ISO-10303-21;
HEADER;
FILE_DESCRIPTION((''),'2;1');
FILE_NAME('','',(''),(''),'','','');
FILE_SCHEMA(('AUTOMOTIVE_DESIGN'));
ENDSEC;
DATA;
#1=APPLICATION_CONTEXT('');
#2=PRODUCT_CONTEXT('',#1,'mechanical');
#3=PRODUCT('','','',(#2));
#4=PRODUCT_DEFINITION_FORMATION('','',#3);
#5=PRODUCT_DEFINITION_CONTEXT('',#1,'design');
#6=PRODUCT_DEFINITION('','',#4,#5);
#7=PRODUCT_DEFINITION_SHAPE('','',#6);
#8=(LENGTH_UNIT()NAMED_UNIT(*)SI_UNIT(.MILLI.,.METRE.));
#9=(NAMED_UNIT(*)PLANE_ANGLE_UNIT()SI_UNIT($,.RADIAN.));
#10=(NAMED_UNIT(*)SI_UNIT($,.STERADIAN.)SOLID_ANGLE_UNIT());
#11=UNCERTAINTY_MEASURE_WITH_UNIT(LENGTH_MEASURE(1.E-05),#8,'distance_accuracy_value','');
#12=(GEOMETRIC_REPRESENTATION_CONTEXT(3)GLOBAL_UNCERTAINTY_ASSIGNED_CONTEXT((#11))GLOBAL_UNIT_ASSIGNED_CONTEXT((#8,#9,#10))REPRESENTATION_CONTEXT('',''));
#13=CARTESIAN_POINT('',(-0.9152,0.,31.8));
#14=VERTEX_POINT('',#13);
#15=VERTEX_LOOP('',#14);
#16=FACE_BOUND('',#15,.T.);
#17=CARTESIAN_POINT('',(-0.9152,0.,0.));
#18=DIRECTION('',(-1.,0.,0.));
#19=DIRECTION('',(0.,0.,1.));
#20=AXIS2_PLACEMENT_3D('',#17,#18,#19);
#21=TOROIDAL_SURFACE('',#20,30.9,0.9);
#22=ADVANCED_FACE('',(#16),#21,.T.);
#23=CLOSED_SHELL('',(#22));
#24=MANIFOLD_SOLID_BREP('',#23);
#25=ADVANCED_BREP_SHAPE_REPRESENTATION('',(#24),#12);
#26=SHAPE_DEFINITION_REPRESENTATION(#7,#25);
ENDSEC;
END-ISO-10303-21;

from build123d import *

# Parameters (mm, degrees)
SKETCH3_R = 0.899999978


with BuildPart() as part:
    # Sketch3 → Revolve1 (revolve)
    with BuildSketch(Plane.XY):
        with Locations((-0.915199846, 30.899999922)):
            Circle(SKETCH3_R)
    revolve(axis=Axis((0, 0, 0), (1, 0, 0)))


solid = part.part
